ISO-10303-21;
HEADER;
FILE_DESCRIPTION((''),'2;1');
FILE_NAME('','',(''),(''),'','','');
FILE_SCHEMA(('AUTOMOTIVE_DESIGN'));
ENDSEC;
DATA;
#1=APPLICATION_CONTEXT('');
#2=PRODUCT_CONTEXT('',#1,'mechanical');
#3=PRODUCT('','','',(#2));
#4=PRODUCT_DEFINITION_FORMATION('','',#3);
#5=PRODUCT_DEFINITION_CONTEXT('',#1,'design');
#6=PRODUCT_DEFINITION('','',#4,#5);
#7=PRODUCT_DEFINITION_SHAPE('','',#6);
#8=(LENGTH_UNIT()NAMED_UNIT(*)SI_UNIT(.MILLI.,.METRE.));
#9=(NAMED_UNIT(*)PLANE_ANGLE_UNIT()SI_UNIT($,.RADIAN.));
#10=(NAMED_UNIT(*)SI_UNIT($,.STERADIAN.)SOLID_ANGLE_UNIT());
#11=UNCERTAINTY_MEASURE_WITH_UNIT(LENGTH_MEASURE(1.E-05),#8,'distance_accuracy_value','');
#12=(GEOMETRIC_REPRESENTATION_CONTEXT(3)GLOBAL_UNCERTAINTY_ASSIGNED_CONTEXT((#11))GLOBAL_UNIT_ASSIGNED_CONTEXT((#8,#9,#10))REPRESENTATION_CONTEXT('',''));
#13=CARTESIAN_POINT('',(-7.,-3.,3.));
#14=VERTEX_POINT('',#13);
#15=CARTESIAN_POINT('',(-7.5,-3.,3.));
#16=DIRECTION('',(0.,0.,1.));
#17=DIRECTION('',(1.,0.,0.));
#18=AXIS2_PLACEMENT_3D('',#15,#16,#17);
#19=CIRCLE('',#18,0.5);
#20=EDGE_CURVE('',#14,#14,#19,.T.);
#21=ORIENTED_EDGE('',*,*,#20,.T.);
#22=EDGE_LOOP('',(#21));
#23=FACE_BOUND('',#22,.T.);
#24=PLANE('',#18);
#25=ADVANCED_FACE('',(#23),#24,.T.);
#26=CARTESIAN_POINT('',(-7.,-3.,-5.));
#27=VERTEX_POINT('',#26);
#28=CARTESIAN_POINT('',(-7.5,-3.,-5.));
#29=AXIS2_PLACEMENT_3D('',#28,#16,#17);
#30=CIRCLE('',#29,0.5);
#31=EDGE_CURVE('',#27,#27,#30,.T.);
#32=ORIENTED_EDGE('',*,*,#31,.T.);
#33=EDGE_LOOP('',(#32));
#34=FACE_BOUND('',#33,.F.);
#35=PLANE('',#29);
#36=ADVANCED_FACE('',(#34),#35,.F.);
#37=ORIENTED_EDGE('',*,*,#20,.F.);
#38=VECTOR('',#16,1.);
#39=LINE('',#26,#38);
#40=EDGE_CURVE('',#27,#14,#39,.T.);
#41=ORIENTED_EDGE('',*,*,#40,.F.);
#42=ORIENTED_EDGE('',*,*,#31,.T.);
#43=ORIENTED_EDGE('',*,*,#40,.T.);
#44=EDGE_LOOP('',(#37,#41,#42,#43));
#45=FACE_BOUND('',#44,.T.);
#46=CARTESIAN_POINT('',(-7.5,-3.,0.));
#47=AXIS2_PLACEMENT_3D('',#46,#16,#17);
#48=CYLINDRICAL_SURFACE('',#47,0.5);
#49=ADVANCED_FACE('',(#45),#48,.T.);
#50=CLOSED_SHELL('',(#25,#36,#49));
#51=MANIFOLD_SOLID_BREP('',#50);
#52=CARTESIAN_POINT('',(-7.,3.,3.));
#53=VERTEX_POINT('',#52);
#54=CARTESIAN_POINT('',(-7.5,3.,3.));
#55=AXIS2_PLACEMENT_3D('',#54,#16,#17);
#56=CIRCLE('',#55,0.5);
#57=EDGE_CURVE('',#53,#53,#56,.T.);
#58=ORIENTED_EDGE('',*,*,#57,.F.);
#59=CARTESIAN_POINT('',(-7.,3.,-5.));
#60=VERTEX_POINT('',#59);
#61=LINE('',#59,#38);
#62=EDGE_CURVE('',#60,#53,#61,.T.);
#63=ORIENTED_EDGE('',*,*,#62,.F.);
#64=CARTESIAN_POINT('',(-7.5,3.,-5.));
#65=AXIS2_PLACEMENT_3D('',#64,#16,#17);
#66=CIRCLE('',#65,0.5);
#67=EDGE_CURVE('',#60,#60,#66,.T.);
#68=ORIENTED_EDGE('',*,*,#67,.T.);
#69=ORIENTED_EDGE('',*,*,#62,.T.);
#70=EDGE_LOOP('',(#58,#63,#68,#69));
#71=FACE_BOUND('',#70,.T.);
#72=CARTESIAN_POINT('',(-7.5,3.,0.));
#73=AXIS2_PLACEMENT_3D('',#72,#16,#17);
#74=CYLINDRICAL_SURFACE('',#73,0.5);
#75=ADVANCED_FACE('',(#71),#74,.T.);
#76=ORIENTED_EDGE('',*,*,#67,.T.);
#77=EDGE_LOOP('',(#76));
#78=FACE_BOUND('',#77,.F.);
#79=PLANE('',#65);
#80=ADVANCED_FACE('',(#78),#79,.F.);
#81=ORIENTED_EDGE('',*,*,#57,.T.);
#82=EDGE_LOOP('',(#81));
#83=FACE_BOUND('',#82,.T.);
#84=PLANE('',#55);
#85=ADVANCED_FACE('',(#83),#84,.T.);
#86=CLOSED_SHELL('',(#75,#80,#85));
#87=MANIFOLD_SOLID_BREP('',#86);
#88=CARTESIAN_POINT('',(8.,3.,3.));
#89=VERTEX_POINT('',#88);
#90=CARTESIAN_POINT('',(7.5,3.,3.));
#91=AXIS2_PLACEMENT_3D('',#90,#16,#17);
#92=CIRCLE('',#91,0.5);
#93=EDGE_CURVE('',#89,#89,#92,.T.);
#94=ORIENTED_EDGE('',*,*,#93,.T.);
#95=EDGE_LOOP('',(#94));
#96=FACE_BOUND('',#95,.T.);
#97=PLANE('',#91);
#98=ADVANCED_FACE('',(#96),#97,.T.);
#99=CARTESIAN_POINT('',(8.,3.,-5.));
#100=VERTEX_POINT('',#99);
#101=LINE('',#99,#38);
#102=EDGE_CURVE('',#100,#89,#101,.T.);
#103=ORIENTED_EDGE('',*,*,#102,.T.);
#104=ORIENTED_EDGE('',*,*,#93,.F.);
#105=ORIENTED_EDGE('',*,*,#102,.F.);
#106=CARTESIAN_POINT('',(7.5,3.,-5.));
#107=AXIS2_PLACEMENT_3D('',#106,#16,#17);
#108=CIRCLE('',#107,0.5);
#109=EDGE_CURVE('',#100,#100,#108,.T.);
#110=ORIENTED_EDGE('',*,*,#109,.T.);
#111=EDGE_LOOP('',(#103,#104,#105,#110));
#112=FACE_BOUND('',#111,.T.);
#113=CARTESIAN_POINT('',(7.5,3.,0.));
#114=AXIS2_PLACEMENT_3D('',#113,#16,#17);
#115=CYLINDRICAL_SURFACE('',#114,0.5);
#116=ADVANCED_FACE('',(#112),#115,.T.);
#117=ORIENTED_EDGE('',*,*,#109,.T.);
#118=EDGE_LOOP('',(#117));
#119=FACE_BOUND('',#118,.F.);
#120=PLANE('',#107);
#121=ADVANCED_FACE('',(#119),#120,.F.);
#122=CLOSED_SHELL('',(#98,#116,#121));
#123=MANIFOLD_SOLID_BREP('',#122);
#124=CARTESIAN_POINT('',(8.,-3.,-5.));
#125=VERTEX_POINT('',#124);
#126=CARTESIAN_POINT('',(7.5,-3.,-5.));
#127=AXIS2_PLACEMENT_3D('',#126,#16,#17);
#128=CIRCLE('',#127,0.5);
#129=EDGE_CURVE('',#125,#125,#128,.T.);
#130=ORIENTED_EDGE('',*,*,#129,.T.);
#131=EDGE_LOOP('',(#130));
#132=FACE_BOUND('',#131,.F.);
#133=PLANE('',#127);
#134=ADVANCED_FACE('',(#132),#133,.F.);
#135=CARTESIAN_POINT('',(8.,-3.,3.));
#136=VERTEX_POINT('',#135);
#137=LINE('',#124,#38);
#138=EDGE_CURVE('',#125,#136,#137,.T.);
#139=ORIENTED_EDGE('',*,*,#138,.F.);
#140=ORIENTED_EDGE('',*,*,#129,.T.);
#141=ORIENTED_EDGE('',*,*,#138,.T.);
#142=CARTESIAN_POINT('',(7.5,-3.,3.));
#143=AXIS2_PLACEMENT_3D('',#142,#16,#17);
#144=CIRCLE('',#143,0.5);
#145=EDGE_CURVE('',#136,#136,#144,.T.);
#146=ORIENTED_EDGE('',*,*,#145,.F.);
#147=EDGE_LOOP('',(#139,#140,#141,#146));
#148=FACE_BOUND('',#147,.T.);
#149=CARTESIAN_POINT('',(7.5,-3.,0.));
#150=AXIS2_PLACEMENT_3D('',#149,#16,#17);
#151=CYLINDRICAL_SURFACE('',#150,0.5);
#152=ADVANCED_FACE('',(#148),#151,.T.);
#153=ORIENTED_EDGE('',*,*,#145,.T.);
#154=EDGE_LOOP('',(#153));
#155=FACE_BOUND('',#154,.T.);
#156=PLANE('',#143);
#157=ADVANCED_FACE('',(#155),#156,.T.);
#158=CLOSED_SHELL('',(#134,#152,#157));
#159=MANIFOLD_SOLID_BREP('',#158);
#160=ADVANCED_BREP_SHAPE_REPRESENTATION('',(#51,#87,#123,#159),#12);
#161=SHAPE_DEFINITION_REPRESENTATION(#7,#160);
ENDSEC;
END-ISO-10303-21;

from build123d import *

# Parameters (mm, degrees)
F0_R          = 0.5
F1_DEPTH      = 3
F1_DEPTH_BACK = 5


with BuildPart() as f1:
    # F0 (on Top) → F1 (new body, two sides)
    with BuildSketch(Plane.XY) as f1_sk:
        with Locations((-7.5, -3)):
            Circle(F0_R)
        with Locations((7.5, -3)):
            Circle(F0_R)
        with Locations((7.5, 3)):
            Circle(F0_R)
        with Locations((-7.5, 3)):
            Circle(F0_R)
    extrude(amount=F1_DEPTH)
    extrude(f1_sk.sketch, amount=-F1_DEPTH_BACK)


solid = f1.part
